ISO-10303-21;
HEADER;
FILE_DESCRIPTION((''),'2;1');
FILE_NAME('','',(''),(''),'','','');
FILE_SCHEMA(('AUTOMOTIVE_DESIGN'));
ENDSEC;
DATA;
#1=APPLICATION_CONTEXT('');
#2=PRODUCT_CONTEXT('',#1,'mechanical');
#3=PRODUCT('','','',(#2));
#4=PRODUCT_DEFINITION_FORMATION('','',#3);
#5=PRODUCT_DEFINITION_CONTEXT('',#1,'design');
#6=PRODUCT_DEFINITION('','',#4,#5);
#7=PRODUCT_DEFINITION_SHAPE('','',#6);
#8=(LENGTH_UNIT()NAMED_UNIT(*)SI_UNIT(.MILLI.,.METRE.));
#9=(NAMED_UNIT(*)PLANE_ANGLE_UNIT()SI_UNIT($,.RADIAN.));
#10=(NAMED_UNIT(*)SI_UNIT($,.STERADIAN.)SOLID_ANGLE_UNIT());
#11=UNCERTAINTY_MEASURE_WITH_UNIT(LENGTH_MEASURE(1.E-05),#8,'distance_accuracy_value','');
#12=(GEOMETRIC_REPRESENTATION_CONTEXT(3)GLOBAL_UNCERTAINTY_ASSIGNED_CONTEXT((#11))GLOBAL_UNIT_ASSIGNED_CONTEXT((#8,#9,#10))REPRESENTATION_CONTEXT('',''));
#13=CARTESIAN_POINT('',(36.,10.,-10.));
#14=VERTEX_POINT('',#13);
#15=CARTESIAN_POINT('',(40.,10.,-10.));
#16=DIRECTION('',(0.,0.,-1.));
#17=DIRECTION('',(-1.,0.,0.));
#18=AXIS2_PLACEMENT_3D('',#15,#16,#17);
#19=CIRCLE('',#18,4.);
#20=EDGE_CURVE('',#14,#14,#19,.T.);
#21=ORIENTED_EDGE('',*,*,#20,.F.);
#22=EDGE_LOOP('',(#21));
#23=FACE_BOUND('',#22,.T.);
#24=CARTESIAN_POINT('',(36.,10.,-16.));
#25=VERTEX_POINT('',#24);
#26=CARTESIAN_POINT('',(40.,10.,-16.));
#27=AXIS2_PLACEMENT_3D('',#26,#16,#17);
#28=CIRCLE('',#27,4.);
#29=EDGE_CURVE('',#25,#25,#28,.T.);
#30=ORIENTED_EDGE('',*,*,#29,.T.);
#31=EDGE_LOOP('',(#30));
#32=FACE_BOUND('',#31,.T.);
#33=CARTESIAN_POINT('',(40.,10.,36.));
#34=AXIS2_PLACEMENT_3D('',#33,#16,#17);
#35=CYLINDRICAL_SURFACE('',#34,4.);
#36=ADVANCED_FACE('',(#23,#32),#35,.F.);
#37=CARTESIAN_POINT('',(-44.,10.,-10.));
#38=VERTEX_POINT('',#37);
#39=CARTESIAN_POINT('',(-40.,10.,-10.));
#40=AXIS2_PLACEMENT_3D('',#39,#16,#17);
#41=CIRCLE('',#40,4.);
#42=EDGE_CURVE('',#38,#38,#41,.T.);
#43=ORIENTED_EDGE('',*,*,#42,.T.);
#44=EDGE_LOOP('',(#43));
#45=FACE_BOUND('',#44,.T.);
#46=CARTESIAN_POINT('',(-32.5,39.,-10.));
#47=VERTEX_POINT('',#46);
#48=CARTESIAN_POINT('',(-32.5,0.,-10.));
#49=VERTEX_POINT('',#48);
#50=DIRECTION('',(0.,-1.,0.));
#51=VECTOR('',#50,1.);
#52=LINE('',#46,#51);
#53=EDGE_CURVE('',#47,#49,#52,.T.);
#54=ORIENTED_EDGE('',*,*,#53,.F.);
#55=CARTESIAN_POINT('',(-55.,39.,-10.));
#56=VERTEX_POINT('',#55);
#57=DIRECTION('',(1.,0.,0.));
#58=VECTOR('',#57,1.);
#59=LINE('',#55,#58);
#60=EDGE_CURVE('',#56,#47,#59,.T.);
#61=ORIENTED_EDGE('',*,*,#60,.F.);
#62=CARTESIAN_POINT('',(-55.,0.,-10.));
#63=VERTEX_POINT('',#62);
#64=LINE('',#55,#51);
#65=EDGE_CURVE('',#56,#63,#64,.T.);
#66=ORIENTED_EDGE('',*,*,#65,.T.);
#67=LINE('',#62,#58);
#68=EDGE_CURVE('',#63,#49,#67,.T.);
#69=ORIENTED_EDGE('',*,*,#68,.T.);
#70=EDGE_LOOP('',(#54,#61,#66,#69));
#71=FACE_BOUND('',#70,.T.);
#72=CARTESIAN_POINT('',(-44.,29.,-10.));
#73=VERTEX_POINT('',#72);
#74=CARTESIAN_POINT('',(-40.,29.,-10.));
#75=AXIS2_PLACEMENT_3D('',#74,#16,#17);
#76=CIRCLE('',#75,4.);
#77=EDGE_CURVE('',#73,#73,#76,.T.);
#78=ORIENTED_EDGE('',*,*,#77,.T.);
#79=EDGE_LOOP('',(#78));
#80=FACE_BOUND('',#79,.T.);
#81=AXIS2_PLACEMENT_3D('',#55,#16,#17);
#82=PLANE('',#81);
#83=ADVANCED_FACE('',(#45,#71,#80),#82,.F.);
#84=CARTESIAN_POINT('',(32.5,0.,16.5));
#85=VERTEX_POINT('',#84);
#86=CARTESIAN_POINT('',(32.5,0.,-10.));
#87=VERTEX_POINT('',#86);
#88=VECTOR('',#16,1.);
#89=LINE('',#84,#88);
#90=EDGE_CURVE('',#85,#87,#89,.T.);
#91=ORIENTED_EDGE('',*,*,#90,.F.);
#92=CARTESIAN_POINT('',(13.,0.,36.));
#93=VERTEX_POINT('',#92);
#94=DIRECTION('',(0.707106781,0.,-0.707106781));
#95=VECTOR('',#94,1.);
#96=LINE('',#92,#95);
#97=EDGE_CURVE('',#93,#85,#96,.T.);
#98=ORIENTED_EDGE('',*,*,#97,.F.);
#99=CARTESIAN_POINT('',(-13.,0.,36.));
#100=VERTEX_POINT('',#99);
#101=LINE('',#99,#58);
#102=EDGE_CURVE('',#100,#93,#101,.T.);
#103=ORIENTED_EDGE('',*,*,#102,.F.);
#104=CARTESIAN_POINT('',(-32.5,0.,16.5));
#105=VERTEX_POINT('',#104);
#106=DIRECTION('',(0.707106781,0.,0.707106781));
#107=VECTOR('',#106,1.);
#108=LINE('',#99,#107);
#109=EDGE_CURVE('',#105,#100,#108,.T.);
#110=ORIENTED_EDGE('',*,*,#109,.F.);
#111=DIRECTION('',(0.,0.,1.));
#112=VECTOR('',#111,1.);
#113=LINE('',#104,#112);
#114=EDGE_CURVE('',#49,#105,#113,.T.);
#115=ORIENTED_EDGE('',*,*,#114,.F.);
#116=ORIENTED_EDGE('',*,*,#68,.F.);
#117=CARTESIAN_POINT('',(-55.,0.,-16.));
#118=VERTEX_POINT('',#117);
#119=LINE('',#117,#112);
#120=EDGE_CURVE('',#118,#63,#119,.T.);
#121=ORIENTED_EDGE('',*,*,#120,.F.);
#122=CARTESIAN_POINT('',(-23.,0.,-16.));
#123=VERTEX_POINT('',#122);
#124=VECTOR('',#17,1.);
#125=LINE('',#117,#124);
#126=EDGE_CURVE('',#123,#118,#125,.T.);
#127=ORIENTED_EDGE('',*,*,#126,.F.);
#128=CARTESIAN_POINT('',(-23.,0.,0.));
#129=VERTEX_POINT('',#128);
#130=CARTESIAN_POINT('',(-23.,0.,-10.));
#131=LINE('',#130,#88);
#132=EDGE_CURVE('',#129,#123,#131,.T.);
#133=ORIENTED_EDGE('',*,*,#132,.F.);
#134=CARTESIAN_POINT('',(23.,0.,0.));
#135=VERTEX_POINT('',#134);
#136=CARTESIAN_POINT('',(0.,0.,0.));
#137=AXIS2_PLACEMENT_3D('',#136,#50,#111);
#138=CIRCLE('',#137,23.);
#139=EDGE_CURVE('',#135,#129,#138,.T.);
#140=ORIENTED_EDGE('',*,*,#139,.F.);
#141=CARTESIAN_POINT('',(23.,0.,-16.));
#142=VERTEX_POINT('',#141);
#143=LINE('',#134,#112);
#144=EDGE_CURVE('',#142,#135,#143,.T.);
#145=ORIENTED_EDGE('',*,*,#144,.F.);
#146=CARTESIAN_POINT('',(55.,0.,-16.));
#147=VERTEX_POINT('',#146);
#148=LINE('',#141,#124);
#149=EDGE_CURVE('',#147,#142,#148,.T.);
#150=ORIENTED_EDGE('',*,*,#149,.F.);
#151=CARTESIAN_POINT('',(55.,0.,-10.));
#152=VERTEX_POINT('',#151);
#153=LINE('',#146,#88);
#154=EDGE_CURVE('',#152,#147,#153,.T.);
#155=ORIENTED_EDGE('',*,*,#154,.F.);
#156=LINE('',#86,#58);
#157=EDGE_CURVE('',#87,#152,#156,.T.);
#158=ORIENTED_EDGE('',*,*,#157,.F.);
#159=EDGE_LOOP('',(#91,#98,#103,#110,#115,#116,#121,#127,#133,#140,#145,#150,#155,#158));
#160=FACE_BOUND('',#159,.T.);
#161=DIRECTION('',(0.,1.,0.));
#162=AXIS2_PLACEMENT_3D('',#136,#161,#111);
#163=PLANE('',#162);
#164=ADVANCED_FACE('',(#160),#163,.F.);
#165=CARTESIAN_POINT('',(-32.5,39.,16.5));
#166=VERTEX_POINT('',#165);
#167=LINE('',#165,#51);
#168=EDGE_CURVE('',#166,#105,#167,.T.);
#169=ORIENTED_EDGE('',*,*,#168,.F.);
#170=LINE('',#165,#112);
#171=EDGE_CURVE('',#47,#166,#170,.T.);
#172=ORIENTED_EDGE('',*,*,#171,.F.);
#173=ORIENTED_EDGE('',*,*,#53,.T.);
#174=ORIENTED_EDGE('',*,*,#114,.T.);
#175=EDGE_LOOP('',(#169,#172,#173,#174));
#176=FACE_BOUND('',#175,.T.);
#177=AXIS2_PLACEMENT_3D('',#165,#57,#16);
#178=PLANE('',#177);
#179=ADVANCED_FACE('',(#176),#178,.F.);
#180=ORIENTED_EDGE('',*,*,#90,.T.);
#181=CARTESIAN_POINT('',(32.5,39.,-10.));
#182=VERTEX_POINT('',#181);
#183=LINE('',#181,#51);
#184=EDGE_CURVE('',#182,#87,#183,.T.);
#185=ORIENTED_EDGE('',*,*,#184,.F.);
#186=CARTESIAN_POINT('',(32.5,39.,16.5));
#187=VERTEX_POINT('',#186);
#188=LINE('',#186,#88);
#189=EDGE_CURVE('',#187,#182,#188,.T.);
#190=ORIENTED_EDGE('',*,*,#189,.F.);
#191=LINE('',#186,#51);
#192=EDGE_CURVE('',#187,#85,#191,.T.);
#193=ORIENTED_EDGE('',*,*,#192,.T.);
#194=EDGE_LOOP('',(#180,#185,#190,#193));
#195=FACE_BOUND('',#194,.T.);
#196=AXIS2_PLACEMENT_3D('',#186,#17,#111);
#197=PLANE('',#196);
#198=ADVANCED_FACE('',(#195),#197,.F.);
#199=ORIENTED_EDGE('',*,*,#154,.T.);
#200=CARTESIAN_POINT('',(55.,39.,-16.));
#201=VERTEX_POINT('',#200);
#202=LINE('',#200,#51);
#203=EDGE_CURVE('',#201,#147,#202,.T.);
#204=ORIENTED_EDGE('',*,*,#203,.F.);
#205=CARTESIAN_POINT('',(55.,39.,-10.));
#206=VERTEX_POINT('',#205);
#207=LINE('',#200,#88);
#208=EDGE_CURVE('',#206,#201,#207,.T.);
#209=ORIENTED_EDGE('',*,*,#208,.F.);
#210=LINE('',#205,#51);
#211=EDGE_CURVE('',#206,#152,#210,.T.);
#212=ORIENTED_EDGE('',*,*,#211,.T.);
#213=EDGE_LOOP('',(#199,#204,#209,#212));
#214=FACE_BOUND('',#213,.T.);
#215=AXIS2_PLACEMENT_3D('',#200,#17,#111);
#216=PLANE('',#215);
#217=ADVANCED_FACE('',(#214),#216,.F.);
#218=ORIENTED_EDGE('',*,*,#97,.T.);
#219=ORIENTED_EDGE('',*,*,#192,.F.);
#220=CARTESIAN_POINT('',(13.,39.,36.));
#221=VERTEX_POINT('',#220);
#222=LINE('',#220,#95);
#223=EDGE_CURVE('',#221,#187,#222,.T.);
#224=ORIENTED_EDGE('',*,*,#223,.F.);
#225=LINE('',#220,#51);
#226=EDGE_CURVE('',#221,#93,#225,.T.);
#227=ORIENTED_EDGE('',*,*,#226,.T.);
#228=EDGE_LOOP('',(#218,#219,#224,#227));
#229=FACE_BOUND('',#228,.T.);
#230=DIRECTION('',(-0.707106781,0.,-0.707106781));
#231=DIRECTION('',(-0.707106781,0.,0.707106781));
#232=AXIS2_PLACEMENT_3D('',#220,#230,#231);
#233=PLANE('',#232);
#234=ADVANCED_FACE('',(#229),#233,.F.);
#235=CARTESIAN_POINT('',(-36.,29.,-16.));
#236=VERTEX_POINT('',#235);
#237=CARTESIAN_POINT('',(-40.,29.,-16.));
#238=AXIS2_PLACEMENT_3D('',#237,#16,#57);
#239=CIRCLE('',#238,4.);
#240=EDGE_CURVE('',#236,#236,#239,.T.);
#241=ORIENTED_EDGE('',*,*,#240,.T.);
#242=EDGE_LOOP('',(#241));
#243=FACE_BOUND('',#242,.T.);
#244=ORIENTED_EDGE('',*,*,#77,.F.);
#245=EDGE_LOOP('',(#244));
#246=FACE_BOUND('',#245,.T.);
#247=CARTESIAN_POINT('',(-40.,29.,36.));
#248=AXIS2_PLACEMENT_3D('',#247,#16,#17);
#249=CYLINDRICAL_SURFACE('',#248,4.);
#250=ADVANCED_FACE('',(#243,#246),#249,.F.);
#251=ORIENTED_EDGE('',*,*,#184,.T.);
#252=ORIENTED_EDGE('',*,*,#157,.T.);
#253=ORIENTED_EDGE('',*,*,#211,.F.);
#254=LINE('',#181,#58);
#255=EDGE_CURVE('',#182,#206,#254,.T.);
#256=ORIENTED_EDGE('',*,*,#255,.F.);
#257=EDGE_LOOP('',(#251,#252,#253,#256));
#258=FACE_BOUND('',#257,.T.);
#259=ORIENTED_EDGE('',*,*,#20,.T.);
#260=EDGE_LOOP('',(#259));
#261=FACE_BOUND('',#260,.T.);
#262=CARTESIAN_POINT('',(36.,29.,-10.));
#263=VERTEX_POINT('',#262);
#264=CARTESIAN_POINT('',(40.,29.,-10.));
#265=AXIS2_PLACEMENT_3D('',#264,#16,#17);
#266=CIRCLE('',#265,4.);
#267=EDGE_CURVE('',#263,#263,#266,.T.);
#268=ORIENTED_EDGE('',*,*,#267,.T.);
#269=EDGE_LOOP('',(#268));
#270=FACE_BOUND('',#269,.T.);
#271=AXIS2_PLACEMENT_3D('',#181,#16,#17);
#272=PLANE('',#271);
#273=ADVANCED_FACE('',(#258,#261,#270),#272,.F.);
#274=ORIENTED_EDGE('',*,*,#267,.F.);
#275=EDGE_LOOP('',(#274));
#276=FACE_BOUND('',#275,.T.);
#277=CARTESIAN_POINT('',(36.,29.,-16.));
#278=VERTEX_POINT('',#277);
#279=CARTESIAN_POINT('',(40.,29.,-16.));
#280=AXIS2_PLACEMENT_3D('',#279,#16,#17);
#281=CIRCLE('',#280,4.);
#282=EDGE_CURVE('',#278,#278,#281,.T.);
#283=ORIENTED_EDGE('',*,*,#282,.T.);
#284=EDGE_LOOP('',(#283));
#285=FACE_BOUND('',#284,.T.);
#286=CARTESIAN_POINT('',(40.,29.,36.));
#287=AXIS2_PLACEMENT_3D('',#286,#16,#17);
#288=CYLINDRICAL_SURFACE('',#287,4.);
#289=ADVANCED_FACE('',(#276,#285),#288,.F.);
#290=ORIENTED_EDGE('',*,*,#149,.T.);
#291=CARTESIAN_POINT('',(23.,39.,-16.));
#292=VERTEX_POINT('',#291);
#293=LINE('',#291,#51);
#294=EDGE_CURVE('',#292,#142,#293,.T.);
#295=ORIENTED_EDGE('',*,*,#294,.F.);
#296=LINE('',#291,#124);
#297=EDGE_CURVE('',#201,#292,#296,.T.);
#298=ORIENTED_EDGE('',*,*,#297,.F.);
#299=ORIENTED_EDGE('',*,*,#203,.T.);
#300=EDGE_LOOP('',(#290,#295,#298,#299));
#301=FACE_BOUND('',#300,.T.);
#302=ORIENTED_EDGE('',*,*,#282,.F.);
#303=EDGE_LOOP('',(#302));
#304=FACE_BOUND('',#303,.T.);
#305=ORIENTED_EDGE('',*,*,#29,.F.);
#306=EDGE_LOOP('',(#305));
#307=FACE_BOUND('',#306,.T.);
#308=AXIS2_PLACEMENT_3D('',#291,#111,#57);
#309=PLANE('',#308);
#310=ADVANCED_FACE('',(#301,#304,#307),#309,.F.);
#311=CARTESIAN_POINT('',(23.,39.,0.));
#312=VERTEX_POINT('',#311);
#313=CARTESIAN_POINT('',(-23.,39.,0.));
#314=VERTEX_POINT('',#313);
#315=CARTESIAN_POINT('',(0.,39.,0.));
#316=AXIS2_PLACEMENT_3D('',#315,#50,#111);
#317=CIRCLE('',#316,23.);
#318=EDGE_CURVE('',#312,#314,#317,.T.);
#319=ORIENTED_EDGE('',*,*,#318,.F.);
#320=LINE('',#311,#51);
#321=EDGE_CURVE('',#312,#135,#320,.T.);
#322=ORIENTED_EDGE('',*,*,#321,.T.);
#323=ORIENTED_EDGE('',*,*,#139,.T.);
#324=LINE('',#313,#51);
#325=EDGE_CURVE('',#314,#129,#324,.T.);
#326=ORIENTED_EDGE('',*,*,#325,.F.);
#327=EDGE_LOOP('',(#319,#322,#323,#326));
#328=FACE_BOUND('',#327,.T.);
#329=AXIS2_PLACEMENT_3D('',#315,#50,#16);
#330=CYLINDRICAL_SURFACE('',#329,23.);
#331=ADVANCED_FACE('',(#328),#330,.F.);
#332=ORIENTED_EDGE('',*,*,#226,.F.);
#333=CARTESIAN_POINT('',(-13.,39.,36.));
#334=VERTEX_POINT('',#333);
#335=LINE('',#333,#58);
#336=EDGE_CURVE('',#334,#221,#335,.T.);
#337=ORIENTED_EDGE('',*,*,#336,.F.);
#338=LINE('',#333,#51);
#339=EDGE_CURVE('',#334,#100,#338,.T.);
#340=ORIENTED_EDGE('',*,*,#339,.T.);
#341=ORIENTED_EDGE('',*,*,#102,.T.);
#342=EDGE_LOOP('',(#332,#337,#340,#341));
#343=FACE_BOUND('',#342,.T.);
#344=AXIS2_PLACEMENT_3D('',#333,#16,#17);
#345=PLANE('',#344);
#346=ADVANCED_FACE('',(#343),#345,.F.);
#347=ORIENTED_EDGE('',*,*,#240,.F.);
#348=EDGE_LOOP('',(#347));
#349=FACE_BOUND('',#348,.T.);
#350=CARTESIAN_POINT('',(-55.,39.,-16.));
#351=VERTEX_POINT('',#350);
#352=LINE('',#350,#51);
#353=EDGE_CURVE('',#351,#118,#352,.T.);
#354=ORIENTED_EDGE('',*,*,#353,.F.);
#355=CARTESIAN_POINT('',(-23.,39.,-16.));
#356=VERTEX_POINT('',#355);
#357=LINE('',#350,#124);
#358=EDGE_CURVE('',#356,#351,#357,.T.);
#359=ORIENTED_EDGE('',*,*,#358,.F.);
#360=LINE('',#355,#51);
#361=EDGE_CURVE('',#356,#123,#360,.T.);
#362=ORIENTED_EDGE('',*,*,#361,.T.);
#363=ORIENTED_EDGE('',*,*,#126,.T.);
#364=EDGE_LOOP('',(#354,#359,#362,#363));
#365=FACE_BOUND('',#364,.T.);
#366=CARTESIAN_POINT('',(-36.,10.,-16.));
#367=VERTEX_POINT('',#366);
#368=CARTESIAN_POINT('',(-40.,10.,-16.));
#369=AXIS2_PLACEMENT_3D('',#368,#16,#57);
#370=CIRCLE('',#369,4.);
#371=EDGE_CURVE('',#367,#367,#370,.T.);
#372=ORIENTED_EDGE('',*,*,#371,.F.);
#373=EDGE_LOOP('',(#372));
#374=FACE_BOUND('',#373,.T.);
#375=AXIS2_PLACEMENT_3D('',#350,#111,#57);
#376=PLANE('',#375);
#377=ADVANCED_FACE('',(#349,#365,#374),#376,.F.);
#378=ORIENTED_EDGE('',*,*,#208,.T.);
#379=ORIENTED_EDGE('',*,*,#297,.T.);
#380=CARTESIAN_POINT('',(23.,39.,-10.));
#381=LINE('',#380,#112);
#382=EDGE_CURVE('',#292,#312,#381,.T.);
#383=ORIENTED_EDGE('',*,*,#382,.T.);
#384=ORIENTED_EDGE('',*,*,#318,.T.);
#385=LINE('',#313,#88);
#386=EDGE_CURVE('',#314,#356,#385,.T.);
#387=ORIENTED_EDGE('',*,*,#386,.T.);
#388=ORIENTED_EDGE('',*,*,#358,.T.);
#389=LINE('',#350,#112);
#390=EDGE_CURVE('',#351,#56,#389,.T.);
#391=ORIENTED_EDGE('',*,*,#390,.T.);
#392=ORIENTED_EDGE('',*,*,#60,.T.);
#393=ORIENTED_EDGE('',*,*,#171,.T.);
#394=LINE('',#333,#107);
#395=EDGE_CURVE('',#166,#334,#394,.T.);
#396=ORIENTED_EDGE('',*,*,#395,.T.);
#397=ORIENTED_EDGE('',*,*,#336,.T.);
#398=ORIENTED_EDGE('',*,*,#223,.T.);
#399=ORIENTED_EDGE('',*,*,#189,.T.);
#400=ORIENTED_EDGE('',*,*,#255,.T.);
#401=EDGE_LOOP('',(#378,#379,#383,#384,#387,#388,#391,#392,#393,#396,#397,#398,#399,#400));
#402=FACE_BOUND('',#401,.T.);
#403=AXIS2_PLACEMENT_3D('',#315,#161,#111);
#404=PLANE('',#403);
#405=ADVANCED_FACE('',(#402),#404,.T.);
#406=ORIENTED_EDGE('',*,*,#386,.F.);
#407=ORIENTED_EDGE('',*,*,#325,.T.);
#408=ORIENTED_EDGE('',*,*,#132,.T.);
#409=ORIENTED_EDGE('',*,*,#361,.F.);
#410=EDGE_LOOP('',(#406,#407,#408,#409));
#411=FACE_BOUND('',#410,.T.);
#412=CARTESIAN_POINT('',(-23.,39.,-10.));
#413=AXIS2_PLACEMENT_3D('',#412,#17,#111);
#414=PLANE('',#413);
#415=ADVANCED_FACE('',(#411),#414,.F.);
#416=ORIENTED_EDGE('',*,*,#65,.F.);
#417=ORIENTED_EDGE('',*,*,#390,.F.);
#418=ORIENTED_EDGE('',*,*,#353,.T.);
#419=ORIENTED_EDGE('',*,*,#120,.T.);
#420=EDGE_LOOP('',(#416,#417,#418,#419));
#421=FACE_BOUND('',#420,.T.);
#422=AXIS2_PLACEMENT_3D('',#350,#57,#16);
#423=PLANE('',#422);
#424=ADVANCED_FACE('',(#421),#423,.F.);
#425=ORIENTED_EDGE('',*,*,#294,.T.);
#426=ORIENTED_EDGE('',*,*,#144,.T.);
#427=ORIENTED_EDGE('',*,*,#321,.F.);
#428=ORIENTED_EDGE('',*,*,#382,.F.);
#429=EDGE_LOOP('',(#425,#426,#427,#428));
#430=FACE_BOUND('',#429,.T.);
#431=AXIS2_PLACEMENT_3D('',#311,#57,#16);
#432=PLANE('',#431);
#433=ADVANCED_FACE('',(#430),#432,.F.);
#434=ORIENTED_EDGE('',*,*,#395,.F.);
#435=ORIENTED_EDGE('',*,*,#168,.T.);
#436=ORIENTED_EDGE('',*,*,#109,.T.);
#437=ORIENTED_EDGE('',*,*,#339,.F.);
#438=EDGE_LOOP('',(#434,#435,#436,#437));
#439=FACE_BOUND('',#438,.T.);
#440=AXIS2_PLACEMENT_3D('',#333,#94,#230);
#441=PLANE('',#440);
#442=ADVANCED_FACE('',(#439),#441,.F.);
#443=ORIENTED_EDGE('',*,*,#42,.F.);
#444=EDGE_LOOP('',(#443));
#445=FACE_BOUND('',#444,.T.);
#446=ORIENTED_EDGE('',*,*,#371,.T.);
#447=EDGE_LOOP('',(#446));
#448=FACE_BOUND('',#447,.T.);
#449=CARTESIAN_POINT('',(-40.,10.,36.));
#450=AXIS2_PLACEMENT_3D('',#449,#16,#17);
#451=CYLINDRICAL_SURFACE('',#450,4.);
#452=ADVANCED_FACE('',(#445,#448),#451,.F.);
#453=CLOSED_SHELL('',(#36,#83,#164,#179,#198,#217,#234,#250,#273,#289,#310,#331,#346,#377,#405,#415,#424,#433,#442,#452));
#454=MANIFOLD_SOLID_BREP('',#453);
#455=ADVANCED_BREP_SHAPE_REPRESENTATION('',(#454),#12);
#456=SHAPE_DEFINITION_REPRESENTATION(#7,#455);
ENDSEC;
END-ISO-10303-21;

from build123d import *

# Parameters (mm, degrees)
BOSS_EXTRUDE1_DEPTH = 39
SKETCH2_R           = 4
CUT_EXTRUDE1_DEPTH  = 53


with BuildPart() as part:
    # Sketch1 → Boss-Extrude1 (new body)
    with BuildSketch(Plane(origin=(0, 0, 0), x_dir=(1, 0, 0), z_dir=(0, 1, 0))):
        with BuildLine():
            Line((-23, 0), (-23, 10))
            Line((-23, 10), (-23, 16))
            Line((-23, 16), (-55, 16))
            Line((-55, 16), (-55, 10))
            Line((-55, 10), (-32.5, 10))
            Line((-32.5, 10), (-32.5, -16.5))
            Line((-32.5, -16.5), (-13, -36))
            Line((-13, -36), (13, -36))
            Line((13, -36), (32.5, -16.5))
            Line((32.5, -16.5), (32.5, 10))
            Line((32.5, 10), (55, 10))
            Line((55, 10), (55, 16))
            Line((55, 16), (23, 16))
            Line((23, 16), (23, 10))
            Line((23, 10), (23, 0))
            ThreePointArc((23, 0), (0, -23), (-23, 0))
        make_face()
    extrude(amount=BOSS_EXTRUDE1_DEPTH)

    # Sketch2 → Cut-Extrude1 (cut, through all)
    with BuildSketch(Plane(origin=(0, 0, -16), x_dir=(-1, 0, 0), z_dir=(0, 0, -1))):
        with Locations((-40, 29)):
            Circle(SKETCH2_R)
        with Locations((-40, 10)):
            Circle(SKETCH2_R)
        with Locations((40, 29)):
            Circle(SKETCH2_R)
        with Locations((40, 10)):
            Circle(SKETCH2_R)
    extrude(amount=-CUT_EXTRUDE1_DEPTH, mode=Mode.SUBTRACT)


solid = part.part
